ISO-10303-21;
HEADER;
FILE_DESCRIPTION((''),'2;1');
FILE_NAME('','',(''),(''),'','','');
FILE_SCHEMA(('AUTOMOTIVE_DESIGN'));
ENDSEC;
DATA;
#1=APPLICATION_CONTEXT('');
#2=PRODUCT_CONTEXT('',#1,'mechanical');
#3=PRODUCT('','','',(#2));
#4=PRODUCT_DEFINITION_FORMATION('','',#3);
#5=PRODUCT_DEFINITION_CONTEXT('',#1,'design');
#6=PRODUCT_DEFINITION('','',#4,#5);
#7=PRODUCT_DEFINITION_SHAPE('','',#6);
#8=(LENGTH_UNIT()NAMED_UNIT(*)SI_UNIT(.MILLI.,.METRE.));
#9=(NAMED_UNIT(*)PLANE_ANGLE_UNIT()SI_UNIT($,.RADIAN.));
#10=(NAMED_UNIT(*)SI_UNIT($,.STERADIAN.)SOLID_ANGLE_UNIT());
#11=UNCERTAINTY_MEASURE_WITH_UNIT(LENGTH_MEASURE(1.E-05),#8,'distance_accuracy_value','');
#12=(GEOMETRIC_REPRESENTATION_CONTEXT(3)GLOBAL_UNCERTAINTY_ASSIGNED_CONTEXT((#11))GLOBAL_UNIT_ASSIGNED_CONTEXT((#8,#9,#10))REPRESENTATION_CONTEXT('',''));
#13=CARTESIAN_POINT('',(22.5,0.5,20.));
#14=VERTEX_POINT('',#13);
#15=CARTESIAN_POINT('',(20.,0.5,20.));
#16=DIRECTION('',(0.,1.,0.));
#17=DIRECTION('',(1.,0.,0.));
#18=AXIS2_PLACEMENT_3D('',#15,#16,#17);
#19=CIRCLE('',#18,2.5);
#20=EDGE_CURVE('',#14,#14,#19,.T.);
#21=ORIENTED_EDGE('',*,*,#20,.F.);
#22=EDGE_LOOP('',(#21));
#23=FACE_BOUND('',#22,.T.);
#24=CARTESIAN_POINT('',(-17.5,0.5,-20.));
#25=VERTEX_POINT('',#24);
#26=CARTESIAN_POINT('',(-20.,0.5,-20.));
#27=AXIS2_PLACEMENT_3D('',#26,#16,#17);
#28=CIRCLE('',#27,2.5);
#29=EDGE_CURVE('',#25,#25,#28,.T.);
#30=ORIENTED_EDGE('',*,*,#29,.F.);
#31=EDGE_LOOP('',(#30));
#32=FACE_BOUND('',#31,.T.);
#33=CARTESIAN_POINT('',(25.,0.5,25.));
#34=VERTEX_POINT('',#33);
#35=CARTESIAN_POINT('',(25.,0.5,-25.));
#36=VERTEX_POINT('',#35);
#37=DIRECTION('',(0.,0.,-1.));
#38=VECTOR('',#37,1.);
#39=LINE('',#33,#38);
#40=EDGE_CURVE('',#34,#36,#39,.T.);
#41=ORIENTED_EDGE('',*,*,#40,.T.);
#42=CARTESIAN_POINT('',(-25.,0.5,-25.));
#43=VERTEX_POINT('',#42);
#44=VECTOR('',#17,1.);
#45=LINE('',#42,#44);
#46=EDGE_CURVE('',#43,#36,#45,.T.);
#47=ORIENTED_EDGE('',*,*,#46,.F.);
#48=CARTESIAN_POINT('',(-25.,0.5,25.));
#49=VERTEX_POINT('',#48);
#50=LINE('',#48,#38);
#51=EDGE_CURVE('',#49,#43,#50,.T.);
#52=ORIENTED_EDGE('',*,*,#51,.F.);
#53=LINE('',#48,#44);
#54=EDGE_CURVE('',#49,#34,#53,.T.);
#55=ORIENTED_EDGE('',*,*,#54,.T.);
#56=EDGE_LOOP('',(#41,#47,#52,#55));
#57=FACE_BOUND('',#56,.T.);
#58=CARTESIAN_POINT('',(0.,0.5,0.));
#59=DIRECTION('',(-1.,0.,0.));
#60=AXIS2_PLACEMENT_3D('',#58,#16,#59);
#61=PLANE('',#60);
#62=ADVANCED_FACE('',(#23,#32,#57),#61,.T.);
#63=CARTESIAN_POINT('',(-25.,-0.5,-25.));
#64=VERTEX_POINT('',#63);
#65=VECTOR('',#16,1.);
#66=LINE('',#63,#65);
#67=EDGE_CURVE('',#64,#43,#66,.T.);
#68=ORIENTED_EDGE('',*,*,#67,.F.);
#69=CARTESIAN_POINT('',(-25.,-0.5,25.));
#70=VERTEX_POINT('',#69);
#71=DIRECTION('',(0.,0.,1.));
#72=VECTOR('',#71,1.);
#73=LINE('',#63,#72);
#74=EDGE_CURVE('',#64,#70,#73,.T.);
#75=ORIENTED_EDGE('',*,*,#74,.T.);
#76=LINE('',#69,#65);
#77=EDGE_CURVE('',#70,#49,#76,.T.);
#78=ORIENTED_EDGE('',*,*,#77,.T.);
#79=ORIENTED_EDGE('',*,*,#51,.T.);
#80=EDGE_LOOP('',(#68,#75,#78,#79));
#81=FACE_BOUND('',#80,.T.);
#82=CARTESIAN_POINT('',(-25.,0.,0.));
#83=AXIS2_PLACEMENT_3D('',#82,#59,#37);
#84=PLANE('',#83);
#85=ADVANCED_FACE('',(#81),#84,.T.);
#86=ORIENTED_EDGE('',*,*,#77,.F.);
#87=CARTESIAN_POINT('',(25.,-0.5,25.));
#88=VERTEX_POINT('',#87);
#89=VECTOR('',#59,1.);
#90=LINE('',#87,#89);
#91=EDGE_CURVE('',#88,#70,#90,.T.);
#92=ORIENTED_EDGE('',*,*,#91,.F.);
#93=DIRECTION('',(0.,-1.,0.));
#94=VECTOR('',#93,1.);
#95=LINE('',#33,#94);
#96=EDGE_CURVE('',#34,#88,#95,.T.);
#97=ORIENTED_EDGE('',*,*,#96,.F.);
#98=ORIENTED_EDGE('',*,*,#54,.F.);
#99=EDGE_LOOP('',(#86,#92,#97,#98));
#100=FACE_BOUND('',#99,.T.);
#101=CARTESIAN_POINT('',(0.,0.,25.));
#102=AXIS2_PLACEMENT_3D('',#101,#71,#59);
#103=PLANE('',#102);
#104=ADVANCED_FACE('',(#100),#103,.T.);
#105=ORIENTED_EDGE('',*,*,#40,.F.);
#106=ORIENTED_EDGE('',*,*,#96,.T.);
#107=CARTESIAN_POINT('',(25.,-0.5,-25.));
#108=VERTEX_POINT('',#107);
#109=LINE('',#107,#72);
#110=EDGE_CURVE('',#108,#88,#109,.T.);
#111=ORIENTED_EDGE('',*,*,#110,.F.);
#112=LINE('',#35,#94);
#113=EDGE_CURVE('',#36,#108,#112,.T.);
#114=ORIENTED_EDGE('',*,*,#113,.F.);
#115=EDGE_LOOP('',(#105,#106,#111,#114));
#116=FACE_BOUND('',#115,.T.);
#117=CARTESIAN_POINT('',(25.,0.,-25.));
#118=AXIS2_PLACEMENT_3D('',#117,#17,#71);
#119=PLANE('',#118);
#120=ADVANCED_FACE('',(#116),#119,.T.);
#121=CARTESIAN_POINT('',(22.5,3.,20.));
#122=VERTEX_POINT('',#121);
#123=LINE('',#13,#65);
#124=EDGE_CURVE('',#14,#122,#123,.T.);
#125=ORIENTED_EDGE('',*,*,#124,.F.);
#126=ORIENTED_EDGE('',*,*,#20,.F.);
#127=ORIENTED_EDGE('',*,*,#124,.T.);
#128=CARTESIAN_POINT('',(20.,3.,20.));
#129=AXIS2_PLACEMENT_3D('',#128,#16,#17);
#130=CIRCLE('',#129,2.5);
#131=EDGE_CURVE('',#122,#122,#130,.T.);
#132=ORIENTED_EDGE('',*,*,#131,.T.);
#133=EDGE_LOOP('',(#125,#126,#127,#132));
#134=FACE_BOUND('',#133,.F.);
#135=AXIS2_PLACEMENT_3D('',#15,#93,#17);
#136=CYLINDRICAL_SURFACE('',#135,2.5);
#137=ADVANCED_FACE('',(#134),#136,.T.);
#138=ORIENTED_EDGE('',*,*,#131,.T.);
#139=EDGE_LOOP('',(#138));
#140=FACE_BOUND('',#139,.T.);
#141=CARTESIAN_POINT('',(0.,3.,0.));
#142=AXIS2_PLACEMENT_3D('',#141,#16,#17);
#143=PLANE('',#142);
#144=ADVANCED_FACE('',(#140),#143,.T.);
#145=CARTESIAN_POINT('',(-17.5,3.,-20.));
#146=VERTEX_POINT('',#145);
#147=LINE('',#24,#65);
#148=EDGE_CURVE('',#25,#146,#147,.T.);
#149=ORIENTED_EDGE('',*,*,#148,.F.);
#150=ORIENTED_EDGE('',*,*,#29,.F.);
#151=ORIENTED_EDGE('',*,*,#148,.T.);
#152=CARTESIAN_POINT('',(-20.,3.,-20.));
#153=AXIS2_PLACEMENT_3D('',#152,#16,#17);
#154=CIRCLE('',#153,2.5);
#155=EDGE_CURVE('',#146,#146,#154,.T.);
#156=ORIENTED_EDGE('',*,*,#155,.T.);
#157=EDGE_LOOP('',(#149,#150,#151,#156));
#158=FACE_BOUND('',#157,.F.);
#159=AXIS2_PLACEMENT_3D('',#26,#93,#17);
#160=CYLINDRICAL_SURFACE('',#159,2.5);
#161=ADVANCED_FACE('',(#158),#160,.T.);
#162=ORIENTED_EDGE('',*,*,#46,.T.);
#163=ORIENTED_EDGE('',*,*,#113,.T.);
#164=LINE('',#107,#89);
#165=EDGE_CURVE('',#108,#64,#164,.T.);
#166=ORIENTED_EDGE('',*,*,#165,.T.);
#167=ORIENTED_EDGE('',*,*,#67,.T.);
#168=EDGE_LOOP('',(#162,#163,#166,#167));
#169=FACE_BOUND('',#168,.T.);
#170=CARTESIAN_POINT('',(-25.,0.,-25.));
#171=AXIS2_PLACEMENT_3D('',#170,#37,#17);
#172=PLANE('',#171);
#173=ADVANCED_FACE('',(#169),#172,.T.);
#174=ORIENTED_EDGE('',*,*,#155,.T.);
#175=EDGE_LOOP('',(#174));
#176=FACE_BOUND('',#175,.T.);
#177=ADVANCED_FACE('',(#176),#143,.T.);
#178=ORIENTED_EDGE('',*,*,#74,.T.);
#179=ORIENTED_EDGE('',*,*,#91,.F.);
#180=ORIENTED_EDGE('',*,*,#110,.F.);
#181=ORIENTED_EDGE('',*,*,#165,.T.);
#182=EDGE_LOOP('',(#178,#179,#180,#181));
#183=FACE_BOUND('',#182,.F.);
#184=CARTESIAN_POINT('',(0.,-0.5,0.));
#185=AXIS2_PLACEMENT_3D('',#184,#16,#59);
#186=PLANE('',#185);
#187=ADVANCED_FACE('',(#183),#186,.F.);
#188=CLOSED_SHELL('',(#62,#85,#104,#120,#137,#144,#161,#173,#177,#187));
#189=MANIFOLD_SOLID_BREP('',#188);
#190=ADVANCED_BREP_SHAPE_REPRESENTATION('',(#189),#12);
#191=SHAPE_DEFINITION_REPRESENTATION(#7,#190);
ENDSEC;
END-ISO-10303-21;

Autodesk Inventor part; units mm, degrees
sketch "Sketch1" plane through (0, 0, 0) normal (0, 1, 0) x (-1, 0, 0)
  line L0 (25, -25) -> (-25, -25)
  line L1 (-25, -25) -> (-25, 25)
  line L2 (-25, 25) -> (25, 25)
  line L3 (25, 25) -> (25, -25)
  line L4 (0, -34.825) -> (0, 34.825) projected
  line L5 (-35, 0) -> (35, 0) projected
  point P0 (0, 0)
  point P1 (0, -25)
  point P2 (25, 0)
  dimension "d0" = 50
  dimension "d1" = 50
extrude "Extrusion1" add sketch "Sketch1" along normal mid plane 1
sketch "Sketch2" plane through (0, 0.5, 0) normal (0, 1, 0) x (1, 0, 0)
  circle A0 centre (-20, 20) radius 2.5
  line L0 (25, 25) -> (-25, 25) projected
  line L1 (-25, 25) -> (-25, -25) projected
  circle A1 centre (20, -20) radius 2.5
  point P0 (0, 0)
  dimension "d4" = 5
  dimension "d5" = 5
  dimension "d6" = 5
  dimension "d9" = 360
extrude "Extrusion2" add sketch "Sketch2" along normal blind 2.5
properties part number "Tile_Cover"
